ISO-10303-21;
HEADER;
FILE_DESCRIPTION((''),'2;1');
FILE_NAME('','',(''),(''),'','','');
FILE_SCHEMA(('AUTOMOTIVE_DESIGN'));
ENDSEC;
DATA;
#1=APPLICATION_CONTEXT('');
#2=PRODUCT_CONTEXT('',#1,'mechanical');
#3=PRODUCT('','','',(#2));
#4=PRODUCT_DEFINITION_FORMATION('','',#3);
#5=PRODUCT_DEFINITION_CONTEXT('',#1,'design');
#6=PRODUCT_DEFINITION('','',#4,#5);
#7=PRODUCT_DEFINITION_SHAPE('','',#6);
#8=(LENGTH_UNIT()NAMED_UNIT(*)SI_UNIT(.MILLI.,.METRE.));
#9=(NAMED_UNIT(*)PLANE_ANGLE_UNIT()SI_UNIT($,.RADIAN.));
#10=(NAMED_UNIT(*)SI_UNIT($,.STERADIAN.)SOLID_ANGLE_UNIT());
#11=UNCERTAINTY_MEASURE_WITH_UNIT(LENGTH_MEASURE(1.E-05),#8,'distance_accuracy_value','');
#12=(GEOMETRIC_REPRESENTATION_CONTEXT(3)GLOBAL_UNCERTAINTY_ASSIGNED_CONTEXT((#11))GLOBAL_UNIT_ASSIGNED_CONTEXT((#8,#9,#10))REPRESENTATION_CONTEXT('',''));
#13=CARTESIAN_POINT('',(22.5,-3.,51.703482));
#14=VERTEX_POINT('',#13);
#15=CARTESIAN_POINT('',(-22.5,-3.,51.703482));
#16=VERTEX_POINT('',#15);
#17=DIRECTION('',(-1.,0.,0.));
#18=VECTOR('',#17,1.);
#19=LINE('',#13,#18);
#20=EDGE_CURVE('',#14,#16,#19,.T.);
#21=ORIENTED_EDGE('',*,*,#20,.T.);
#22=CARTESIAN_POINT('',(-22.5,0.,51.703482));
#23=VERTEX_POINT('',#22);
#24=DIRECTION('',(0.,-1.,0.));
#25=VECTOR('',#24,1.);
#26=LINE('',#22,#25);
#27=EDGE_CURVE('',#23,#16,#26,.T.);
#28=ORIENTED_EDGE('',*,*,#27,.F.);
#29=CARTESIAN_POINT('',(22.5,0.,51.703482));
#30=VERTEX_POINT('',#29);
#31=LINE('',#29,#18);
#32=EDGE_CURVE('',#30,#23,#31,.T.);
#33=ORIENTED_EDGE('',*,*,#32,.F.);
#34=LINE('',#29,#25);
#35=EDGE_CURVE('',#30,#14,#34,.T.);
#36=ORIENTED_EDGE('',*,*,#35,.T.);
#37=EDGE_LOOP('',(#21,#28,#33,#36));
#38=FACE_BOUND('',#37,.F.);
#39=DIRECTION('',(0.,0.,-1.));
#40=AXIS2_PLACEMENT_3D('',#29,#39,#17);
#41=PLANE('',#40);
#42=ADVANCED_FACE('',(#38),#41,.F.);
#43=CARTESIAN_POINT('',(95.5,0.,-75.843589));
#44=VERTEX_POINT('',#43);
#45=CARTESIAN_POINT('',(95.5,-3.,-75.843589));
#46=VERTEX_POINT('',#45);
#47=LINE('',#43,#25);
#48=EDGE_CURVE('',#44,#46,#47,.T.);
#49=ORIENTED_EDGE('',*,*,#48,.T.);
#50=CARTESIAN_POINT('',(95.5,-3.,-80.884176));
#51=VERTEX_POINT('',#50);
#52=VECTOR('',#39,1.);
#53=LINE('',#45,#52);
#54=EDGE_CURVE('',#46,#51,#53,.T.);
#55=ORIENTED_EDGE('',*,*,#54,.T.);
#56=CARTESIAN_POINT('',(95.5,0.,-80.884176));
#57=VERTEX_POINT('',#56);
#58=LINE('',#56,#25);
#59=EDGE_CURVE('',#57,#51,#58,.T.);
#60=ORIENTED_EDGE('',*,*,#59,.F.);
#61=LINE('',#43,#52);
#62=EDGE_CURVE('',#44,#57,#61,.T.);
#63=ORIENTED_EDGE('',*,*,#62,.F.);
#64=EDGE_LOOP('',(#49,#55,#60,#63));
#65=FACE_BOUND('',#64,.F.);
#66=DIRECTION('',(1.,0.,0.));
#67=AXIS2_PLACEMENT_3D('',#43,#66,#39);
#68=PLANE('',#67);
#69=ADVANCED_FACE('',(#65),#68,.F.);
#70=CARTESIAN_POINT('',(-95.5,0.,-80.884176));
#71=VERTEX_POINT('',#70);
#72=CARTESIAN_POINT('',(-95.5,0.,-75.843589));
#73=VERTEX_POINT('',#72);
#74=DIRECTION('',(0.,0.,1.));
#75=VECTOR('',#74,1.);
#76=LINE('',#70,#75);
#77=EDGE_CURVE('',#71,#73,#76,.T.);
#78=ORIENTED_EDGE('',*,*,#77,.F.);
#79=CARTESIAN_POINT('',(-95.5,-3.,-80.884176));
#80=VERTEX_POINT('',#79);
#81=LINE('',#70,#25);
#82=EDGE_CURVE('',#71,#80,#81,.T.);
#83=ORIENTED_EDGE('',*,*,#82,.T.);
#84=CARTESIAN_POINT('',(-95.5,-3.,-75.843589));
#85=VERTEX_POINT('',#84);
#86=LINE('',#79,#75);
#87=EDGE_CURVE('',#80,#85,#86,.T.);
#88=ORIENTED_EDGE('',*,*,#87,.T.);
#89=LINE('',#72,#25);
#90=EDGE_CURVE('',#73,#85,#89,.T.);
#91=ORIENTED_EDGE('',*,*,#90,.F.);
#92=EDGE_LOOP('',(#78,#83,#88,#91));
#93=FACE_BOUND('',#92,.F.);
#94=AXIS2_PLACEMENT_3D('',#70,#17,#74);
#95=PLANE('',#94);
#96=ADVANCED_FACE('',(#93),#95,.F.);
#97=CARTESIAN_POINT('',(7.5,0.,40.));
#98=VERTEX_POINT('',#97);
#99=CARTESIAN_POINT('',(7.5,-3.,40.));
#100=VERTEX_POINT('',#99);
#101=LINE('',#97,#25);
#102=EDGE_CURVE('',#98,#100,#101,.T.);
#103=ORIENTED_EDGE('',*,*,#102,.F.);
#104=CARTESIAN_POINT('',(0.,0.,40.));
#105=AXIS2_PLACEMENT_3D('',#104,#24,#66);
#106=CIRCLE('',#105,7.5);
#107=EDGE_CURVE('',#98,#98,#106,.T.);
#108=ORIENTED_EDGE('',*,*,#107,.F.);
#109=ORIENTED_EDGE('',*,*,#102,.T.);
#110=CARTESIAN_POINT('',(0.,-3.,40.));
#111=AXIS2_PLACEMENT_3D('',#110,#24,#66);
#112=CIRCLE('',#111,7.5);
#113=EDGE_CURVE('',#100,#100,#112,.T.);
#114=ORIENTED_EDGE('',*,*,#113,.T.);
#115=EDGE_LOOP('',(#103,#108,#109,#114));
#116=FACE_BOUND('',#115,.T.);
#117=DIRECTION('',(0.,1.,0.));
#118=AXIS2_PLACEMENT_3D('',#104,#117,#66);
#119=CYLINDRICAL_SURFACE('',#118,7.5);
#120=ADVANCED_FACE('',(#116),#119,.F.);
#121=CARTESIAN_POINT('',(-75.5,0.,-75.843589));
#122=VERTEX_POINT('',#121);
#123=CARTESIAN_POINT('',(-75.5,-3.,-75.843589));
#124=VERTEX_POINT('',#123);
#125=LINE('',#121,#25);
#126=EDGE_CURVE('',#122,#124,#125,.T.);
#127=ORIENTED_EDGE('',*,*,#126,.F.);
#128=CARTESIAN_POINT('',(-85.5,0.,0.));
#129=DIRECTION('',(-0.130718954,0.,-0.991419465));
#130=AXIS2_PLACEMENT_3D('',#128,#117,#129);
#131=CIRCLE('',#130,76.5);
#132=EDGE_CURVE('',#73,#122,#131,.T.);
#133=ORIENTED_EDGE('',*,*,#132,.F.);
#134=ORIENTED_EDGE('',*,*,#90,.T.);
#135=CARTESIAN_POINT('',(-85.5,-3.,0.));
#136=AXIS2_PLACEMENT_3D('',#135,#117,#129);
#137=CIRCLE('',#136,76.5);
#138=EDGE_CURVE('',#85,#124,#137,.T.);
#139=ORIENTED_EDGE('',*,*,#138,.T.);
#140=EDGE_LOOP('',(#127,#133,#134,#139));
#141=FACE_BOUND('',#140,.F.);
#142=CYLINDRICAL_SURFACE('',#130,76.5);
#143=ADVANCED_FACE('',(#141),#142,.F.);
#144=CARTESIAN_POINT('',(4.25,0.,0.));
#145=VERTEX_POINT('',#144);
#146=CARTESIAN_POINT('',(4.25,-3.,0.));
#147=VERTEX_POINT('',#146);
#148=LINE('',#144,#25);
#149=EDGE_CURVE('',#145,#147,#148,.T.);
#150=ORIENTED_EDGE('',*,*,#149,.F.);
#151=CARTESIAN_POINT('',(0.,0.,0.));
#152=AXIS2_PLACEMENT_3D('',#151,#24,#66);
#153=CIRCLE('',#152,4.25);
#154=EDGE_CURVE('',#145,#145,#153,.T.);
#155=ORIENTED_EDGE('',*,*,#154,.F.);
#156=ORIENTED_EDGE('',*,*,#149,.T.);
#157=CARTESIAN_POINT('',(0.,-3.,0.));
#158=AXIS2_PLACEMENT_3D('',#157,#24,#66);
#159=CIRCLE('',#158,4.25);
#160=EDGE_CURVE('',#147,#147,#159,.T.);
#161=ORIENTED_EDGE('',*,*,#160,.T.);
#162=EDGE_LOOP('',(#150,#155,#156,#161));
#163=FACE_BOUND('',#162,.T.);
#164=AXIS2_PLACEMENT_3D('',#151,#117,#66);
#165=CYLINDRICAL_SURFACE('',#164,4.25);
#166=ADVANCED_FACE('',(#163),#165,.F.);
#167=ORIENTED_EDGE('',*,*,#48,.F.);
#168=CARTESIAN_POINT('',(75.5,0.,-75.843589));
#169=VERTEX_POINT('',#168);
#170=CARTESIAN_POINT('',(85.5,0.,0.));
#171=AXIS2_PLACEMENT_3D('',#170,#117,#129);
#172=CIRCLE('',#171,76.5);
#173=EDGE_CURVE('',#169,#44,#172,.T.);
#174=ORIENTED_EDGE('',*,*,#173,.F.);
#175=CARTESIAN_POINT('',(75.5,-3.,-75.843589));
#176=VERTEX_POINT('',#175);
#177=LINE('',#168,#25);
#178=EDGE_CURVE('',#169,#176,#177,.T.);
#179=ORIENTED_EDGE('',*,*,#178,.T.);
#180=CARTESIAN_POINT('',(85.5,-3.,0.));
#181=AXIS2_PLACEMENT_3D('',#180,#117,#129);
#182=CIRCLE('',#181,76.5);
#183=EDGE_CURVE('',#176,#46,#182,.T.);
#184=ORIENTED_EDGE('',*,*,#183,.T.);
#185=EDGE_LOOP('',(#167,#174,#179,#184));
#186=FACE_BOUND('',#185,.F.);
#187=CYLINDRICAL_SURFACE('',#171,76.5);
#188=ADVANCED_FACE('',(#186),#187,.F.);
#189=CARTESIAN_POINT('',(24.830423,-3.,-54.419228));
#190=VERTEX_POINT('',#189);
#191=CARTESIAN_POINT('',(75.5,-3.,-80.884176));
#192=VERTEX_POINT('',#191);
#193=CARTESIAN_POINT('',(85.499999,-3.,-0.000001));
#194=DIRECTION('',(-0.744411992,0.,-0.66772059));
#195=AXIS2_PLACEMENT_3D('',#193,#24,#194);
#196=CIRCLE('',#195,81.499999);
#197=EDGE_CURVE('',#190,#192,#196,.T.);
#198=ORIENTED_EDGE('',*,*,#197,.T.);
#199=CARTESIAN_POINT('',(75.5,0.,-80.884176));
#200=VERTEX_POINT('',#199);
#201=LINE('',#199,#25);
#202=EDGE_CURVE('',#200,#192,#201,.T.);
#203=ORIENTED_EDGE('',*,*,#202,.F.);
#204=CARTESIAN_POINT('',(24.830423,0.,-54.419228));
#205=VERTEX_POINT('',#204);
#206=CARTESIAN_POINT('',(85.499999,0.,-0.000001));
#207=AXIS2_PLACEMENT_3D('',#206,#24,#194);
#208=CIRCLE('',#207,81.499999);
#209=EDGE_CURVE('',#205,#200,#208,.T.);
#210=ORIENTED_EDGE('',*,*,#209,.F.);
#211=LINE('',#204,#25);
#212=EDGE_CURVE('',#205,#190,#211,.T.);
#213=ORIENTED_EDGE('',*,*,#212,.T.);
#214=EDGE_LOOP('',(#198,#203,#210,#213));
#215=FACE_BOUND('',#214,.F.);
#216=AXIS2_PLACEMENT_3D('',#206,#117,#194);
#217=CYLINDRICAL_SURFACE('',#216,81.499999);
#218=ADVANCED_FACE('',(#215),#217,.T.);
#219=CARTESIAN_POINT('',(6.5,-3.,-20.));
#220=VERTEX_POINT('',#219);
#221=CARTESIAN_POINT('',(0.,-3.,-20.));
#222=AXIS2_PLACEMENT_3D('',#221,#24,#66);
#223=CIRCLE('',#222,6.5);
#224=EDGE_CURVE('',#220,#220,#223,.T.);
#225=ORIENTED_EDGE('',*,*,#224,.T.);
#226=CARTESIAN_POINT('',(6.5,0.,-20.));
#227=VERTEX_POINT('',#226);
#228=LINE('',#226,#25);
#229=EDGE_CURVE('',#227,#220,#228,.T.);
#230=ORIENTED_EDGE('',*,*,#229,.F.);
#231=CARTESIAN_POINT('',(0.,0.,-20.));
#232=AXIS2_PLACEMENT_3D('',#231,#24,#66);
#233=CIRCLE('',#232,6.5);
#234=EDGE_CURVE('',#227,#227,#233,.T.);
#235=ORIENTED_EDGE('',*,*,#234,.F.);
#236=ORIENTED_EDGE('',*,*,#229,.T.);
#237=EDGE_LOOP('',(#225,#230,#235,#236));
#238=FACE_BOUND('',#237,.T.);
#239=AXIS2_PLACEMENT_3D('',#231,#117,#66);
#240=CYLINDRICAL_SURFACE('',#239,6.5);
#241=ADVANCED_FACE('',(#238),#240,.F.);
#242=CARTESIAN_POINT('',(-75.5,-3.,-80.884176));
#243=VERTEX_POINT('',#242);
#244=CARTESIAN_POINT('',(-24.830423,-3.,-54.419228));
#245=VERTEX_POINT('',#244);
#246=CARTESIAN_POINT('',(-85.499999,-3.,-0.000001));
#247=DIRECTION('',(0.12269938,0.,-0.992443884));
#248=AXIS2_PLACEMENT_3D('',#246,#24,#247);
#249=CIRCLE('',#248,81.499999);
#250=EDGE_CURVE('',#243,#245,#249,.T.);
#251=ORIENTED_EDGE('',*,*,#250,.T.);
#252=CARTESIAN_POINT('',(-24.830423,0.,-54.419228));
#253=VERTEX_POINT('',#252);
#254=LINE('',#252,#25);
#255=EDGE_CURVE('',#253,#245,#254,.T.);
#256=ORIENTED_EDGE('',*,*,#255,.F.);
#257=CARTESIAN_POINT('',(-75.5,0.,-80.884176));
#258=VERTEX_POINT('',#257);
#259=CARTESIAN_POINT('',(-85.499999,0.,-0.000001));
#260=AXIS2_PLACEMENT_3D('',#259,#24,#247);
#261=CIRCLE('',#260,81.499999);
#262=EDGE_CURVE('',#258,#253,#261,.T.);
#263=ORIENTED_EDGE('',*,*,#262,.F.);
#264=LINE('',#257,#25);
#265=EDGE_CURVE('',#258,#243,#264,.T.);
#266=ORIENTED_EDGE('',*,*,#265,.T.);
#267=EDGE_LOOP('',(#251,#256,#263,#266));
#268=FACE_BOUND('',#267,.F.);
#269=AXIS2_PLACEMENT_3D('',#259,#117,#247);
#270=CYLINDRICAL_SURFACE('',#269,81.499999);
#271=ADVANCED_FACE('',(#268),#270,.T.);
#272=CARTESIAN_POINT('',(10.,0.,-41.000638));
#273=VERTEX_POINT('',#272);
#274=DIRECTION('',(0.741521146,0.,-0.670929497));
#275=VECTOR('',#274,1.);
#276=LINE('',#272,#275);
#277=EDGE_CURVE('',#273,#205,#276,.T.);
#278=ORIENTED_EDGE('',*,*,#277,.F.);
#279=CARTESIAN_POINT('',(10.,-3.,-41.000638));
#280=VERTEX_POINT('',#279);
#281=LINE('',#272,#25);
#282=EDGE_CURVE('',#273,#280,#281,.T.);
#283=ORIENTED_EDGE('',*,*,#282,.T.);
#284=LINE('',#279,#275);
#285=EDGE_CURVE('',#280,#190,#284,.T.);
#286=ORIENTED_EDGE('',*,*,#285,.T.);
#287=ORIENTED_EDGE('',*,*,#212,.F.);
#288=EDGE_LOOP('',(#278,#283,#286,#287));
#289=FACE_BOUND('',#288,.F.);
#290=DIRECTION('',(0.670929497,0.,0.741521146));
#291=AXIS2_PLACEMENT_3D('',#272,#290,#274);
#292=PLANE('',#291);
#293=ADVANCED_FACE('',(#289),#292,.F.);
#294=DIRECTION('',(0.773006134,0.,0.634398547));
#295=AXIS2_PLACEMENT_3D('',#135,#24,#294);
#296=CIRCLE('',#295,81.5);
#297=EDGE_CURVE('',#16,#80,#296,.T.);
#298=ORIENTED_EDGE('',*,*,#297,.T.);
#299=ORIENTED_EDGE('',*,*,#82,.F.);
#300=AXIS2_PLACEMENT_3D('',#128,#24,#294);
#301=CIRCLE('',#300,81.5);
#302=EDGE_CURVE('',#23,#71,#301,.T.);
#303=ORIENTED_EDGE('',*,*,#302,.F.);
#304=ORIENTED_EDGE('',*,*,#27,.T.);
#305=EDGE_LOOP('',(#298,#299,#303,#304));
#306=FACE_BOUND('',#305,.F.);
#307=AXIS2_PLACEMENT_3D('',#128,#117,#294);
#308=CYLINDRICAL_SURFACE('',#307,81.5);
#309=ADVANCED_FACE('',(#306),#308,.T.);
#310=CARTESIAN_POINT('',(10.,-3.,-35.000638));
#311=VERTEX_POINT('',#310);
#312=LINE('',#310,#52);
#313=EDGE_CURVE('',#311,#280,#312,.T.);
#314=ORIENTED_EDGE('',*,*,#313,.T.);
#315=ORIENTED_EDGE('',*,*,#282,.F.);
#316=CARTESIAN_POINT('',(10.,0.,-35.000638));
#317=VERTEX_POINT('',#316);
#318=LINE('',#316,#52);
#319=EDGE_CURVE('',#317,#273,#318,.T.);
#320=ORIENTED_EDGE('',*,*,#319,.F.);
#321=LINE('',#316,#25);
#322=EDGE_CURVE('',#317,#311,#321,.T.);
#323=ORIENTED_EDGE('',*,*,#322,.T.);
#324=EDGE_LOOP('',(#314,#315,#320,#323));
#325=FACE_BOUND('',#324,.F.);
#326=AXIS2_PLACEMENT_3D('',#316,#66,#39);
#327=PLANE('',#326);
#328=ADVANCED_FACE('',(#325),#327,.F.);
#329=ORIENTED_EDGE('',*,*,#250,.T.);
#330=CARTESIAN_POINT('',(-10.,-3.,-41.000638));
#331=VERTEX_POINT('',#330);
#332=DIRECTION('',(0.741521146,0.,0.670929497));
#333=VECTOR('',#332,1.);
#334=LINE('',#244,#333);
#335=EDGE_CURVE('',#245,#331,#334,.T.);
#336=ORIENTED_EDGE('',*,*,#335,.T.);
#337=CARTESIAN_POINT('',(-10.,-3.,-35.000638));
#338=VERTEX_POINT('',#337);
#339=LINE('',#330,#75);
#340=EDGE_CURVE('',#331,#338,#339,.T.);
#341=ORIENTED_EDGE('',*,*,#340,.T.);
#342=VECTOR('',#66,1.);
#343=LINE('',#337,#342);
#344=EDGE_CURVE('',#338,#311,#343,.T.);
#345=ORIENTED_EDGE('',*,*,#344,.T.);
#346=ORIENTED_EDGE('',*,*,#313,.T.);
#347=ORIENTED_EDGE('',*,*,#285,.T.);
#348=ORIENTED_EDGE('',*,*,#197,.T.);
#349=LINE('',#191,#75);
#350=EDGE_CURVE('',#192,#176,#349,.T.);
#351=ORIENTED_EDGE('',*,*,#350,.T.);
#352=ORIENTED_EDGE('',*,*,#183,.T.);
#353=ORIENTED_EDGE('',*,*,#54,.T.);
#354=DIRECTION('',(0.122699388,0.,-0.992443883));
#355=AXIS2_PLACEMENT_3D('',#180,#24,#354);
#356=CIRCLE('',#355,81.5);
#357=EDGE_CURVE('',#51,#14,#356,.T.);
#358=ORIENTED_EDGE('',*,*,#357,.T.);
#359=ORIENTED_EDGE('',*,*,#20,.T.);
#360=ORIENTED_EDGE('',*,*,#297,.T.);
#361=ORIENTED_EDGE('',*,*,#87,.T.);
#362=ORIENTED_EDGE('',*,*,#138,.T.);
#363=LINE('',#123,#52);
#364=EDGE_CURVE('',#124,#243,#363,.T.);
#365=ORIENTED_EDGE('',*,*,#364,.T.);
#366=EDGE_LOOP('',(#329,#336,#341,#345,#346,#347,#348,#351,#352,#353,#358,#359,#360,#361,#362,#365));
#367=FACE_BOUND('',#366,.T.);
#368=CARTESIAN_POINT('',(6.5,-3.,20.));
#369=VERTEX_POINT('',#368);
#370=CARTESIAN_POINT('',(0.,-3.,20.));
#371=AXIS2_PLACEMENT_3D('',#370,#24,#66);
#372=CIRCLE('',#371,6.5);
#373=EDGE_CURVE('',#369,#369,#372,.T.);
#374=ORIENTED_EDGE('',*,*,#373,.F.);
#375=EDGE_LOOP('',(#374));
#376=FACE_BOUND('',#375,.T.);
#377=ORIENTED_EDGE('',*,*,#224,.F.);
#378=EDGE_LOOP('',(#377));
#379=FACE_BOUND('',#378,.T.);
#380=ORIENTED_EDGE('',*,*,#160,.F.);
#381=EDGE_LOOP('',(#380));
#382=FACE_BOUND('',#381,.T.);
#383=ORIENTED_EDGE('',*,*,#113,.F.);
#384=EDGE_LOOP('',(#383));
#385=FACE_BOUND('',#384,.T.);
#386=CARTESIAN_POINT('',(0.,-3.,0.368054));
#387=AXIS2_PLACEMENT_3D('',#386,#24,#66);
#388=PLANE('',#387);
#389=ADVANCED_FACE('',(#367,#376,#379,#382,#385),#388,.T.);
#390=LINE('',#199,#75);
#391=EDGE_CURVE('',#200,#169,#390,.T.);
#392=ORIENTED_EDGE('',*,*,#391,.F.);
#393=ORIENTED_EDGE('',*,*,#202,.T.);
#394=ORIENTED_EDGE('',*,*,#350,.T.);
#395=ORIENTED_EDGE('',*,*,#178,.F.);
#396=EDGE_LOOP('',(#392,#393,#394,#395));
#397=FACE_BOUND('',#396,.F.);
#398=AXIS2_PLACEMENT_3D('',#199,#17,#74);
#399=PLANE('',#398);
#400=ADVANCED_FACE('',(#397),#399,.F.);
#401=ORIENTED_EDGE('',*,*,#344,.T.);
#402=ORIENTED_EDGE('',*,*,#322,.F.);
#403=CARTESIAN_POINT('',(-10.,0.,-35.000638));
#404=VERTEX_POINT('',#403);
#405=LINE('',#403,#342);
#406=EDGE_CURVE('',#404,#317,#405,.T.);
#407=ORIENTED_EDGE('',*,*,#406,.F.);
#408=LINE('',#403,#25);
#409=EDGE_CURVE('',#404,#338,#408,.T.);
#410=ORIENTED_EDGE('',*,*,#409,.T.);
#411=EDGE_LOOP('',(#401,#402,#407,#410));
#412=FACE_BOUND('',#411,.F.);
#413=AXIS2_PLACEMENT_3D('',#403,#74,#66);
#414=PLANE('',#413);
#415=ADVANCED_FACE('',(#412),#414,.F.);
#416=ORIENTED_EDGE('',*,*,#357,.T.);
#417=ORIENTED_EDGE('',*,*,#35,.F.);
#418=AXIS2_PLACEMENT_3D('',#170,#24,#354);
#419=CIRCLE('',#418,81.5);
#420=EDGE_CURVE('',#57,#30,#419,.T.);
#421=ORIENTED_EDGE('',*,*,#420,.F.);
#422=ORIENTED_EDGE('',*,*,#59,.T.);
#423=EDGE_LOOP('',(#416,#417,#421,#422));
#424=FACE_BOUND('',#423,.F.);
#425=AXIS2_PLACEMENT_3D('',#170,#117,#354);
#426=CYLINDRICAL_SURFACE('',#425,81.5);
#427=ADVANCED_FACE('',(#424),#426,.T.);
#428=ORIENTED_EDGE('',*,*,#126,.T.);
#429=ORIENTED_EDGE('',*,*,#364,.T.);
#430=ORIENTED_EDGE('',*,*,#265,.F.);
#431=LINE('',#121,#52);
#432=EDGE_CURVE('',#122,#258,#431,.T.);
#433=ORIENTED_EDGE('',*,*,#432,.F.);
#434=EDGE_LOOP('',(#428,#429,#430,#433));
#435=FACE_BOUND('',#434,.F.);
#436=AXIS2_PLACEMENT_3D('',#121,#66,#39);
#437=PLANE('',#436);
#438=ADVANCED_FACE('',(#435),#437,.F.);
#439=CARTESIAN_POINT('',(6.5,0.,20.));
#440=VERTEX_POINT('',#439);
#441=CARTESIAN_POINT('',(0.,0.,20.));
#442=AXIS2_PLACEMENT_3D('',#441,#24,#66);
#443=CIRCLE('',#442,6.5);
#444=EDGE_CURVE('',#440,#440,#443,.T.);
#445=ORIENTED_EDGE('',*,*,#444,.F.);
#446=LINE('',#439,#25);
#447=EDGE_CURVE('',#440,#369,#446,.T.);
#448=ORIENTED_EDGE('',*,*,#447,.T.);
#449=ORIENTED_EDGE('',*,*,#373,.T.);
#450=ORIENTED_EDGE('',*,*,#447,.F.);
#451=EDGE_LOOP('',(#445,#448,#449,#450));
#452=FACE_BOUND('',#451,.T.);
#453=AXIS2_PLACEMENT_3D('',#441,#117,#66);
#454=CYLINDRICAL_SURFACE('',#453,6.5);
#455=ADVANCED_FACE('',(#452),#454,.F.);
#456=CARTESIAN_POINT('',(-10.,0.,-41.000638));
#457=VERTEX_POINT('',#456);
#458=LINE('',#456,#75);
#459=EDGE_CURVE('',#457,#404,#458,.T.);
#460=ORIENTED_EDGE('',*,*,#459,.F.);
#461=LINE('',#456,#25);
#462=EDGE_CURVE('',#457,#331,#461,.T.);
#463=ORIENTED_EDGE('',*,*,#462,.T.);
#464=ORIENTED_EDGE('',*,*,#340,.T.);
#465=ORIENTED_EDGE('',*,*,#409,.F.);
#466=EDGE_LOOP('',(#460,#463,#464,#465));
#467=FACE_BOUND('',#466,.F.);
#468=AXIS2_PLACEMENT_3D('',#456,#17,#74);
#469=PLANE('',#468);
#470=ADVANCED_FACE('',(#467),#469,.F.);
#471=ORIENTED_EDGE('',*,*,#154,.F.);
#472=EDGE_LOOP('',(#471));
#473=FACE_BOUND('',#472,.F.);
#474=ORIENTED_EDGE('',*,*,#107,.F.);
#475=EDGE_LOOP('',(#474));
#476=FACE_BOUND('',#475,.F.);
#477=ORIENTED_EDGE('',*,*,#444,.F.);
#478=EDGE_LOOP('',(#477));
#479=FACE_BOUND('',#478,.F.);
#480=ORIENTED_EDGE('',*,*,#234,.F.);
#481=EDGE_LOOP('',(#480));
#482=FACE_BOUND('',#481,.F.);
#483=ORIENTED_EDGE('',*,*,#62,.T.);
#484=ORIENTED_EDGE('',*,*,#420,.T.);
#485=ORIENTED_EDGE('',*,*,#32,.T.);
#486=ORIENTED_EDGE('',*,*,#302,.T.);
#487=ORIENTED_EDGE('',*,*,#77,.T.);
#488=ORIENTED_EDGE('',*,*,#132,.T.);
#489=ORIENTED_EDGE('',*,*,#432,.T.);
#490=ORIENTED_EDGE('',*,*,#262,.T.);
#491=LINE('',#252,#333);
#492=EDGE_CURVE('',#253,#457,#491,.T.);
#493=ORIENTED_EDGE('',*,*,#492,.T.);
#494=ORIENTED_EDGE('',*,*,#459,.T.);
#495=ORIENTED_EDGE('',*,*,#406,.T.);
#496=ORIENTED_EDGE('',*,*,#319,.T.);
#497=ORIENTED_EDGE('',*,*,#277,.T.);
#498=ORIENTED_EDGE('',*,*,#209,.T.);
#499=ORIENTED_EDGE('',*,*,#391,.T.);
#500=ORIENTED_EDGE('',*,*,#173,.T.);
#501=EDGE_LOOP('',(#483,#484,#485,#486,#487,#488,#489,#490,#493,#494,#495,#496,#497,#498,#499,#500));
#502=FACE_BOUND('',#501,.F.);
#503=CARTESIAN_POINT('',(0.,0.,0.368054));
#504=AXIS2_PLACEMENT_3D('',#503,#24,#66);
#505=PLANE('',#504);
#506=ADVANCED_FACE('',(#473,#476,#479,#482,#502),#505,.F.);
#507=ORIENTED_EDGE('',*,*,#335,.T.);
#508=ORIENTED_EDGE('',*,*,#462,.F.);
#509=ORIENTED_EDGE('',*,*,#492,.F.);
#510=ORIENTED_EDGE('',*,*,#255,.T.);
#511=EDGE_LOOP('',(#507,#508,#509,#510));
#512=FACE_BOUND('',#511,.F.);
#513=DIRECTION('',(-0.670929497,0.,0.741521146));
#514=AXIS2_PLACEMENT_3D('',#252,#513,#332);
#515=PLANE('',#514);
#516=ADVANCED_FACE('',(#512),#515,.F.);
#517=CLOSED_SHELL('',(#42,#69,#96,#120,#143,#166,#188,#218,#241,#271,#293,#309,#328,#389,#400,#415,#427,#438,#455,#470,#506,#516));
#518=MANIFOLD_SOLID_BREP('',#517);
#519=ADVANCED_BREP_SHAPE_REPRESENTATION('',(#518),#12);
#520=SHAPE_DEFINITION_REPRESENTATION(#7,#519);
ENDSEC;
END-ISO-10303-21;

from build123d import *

# Parameters (mm, degrees)
F0_R     = 6.5
F0_R_2   = 4.25
F0_R_3   = 7.5
F1_DEPTH = 3


with BuildPart() as f1:
    # F0 (on Front) → F1 (new body)
    with BuildSketch(Plane.XZ):
        with BuildLine():
            ThreePointArc((-95.5, -75.843589), (-85.5, 76.5), (-75.5, -75.843589))
            Line((-75.5, -75.843589), (-75.5, -80.884176))
            ThreePointArc((-75.5, -80.884176), (-47.768771, -72.239908), (-24.830423, -54.419228))
            Line((-24.830423, -54.419228), (-10, -41.000638))
            Line((-10, -41.000638), (-10, -35.000638))
            Line((-10, -35.000638), (10, -35.000638))
            Line((10, -35.000638), (10, -41.000638))
            Line((10, -41.000638), (24.830423, -54.419228))
            ThreePointArc((24.830423, -54.419228), (47.768771, -72.239908), (75.5, -80.884176))
            Line((75.5, -80.884176), (75.5, -75.843589))
            ThreePointArc((75.5, -75.843589), (85.5, 76.5), (95.5, -75.843589))
            Line((95.5, -75.843589), (95.5, -80.884176))
            ThreePointArc((95.5, -80.884176), (156.89413, 39.308119), (22.5, 51.703482))
            Line((22.5, 51.703482), (-22.5, 51.703482))
            ThreePointArc((-22.5, 51.703482), (-156.89413, 39.308119), (-95.5, -80.884176))
            Line((-95.5, -80.884176), (-95.5, -75.843589))
        make_face()
        with Locations((0, -20)):
            Circle(F0_R, mode=Mode.SUBTRACT)
        Circle(F0_R_2, mode=Mode.SUBTRACT)
        with Locations((0, 20)):
            Circle(F0_R, mode=Mode.SUBTRACT)
        with Locations((0, 40)):
            Circle(F0_R_3, mode=Mode.SUBTRACT)
    extrude(amount=F1_DEPTH)


solid = f1.part
